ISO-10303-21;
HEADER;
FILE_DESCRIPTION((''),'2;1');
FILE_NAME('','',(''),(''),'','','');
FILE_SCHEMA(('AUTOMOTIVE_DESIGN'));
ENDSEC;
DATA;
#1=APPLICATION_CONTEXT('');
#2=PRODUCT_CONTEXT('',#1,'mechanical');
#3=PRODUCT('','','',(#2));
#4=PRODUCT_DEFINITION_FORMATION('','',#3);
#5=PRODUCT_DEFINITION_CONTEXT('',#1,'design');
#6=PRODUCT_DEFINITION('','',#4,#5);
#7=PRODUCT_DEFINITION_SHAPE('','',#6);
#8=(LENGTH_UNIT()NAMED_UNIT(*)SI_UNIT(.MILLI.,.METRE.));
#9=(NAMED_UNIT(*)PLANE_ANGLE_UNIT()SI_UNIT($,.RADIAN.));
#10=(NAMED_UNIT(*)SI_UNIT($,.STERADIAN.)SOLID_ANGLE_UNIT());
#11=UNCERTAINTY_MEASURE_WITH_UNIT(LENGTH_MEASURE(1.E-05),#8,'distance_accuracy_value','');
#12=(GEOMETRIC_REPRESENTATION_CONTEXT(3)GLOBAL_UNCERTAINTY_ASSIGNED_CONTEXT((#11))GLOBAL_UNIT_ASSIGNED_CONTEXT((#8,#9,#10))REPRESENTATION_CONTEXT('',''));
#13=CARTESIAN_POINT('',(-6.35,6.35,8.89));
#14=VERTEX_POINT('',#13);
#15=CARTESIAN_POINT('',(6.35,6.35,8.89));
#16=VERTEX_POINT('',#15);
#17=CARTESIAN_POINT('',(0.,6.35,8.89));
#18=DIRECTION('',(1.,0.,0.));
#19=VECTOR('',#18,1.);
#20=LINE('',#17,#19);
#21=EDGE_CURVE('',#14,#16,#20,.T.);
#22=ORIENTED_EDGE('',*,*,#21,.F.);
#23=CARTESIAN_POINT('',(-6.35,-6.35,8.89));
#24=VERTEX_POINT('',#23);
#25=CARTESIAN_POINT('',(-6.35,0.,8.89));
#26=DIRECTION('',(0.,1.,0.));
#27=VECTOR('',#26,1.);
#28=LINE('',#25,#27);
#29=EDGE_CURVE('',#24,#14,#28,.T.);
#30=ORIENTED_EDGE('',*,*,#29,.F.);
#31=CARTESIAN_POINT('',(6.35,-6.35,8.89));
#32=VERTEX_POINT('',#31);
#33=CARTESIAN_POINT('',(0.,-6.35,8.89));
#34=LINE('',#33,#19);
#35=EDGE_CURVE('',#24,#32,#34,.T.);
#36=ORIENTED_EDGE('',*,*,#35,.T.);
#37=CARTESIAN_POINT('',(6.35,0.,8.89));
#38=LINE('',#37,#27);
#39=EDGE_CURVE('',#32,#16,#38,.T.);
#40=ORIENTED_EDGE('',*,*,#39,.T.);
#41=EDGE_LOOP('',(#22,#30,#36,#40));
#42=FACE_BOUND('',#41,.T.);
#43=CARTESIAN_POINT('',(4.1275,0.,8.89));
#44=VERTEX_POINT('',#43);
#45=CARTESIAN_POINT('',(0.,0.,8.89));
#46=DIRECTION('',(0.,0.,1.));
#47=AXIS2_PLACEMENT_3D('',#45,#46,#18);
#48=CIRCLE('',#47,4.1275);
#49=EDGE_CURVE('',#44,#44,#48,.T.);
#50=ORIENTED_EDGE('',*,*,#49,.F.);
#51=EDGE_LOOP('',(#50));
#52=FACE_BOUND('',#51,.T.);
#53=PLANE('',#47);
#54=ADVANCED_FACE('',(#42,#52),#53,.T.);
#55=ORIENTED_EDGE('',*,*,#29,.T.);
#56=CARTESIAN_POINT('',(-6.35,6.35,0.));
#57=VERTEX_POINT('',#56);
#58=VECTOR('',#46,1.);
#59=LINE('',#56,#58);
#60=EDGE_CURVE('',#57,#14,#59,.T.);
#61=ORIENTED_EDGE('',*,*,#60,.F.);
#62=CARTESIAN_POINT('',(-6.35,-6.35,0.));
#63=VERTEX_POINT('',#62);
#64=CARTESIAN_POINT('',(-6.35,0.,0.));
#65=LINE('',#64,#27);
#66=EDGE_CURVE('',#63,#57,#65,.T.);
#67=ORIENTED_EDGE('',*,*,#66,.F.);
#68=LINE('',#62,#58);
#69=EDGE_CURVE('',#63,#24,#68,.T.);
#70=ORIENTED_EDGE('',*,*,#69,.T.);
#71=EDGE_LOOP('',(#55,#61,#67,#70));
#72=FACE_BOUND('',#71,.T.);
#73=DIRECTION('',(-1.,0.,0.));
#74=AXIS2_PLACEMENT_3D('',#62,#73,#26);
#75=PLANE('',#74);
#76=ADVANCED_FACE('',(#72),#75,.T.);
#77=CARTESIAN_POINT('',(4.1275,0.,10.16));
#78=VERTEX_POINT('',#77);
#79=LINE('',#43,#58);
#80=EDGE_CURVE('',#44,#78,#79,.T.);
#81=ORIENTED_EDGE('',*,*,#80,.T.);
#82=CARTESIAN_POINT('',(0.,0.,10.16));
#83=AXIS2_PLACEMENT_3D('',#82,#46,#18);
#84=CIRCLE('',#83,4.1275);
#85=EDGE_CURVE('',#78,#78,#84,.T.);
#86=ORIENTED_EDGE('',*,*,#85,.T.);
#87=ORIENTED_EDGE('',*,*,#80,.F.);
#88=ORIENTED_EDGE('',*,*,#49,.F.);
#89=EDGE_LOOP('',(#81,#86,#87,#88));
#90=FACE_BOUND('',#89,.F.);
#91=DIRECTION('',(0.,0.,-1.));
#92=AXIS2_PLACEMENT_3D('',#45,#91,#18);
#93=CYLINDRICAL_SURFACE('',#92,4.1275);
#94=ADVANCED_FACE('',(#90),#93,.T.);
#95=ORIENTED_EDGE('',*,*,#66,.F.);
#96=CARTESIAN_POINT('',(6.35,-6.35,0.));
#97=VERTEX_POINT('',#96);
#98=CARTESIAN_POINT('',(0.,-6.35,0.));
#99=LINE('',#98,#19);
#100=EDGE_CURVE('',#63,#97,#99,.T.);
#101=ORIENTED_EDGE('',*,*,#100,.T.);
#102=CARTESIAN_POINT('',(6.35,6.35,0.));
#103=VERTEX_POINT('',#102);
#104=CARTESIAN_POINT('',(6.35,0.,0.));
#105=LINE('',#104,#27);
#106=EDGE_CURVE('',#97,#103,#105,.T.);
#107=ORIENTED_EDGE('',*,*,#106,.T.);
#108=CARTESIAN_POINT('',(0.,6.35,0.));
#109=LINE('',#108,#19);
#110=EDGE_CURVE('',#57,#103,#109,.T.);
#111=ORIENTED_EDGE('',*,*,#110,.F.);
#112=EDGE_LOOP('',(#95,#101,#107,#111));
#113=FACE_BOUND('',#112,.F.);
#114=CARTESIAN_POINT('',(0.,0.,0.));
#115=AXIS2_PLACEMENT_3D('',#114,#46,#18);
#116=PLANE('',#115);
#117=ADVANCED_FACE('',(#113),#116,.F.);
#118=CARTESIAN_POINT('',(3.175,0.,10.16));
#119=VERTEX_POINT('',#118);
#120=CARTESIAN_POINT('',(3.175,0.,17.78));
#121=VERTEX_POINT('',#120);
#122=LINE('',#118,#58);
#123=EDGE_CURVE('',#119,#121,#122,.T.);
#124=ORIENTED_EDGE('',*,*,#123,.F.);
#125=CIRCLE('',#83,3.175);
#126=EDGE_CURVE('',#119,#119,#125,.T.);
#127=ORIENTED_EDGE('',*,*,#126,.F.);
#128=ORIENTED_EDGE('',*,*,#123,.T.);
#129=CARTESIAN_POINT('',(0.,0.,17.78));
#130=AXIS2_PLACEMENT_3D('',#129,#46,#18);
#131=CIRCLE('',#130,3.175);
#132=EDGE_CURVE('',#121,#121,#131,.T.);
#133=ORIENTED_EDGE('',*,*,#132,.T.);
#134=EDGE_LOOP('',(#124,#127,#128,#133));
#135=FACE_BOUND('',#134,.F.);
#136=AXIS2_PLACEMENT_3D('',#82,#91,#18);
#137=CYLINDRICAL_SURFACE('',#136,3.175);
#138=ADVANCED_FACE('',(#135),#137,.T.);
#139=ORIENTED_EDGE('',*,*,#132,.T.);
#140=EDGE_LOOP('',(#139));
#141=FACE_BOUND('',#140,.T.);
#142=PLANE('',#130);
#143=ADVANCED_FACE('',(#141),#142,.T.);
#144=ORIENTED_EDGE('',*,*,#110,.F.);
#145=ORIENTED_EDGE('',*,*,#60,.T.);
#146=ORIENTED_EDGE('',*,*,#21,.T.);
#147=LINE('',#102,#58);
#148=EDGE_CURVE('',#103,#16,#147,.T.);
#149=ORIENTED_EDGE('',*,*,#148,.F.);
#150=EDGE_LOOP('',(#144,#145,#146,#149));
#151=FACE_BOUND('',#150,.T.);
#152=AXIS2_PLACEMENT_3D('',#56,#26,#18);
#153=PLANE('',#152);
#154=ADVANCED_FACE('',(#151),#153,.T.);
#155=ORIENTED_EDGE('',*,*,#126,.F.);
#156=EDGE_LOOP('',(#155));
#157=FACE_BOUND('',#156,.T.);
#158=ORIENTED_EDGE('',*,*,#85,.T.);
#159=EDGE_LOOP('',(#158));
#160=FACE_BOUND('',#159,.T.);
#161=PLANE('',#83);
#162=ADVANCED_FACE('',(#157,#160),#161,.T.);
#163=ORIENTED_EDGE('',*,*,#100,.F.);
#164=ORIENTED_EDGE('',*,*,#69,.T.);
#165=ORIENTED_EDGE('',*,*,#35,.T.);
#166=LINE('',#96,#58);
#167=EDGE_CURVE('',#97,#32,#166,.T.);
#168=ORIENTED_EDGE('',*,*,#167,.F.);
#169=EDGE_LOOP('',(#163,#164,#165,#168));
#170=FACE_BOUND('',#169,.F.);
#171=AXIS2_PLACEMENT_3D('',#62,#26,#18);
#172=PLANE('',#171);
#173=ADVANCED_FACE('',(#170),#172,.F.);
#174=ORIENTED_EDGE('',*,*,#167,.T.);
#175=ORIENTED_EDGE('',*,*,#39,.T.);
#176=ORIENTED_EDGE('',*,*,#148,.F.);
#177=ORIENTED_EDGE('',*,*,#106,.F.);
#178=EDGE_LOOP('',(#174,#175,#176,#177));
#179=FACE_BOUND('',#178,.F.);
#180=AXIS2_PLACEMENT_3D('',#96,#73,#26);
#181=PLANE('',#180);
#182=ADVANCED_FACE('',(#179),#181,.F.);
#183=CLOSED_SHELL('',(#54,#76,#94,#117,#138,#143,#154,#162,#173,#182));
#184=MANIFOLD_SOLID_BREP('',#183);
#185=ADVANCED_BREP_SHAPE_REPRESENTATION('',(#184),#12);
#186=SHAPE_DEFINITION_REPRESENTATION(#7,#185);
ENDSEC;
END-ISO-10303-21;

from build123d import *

# Parameters (mm, degrees)
F0_W     = 12.7
F0_H     = 12.7
F1_DEPTH = 8.89
F2_R     = 4.1275
F3_DEPTH = 1.27
F4_R     = 3.175
F5_DEPTH = 7.62


with BuildPart() as f1:
    # F0 (on Top) → F1 (new body)
    with BuildSketch(Plane.XY):
        Rectangle(F0_W, F0_H)
    extrude(amount=F1_DEPTH)

    # F2 (on face) → F3 (join)
    with BuildSketch(Plane.XY.offset(8.89)):
        Circle(F2_R)
    extrude(amount=F3_DEPTH)

    # F4 (on face) → F5 (join)
    with BuildSketch(Plane.XY.offset(10.16)):
        Circle(F4_R)
    extrude(amount=F5_DEPTH)


solid = f1.part
